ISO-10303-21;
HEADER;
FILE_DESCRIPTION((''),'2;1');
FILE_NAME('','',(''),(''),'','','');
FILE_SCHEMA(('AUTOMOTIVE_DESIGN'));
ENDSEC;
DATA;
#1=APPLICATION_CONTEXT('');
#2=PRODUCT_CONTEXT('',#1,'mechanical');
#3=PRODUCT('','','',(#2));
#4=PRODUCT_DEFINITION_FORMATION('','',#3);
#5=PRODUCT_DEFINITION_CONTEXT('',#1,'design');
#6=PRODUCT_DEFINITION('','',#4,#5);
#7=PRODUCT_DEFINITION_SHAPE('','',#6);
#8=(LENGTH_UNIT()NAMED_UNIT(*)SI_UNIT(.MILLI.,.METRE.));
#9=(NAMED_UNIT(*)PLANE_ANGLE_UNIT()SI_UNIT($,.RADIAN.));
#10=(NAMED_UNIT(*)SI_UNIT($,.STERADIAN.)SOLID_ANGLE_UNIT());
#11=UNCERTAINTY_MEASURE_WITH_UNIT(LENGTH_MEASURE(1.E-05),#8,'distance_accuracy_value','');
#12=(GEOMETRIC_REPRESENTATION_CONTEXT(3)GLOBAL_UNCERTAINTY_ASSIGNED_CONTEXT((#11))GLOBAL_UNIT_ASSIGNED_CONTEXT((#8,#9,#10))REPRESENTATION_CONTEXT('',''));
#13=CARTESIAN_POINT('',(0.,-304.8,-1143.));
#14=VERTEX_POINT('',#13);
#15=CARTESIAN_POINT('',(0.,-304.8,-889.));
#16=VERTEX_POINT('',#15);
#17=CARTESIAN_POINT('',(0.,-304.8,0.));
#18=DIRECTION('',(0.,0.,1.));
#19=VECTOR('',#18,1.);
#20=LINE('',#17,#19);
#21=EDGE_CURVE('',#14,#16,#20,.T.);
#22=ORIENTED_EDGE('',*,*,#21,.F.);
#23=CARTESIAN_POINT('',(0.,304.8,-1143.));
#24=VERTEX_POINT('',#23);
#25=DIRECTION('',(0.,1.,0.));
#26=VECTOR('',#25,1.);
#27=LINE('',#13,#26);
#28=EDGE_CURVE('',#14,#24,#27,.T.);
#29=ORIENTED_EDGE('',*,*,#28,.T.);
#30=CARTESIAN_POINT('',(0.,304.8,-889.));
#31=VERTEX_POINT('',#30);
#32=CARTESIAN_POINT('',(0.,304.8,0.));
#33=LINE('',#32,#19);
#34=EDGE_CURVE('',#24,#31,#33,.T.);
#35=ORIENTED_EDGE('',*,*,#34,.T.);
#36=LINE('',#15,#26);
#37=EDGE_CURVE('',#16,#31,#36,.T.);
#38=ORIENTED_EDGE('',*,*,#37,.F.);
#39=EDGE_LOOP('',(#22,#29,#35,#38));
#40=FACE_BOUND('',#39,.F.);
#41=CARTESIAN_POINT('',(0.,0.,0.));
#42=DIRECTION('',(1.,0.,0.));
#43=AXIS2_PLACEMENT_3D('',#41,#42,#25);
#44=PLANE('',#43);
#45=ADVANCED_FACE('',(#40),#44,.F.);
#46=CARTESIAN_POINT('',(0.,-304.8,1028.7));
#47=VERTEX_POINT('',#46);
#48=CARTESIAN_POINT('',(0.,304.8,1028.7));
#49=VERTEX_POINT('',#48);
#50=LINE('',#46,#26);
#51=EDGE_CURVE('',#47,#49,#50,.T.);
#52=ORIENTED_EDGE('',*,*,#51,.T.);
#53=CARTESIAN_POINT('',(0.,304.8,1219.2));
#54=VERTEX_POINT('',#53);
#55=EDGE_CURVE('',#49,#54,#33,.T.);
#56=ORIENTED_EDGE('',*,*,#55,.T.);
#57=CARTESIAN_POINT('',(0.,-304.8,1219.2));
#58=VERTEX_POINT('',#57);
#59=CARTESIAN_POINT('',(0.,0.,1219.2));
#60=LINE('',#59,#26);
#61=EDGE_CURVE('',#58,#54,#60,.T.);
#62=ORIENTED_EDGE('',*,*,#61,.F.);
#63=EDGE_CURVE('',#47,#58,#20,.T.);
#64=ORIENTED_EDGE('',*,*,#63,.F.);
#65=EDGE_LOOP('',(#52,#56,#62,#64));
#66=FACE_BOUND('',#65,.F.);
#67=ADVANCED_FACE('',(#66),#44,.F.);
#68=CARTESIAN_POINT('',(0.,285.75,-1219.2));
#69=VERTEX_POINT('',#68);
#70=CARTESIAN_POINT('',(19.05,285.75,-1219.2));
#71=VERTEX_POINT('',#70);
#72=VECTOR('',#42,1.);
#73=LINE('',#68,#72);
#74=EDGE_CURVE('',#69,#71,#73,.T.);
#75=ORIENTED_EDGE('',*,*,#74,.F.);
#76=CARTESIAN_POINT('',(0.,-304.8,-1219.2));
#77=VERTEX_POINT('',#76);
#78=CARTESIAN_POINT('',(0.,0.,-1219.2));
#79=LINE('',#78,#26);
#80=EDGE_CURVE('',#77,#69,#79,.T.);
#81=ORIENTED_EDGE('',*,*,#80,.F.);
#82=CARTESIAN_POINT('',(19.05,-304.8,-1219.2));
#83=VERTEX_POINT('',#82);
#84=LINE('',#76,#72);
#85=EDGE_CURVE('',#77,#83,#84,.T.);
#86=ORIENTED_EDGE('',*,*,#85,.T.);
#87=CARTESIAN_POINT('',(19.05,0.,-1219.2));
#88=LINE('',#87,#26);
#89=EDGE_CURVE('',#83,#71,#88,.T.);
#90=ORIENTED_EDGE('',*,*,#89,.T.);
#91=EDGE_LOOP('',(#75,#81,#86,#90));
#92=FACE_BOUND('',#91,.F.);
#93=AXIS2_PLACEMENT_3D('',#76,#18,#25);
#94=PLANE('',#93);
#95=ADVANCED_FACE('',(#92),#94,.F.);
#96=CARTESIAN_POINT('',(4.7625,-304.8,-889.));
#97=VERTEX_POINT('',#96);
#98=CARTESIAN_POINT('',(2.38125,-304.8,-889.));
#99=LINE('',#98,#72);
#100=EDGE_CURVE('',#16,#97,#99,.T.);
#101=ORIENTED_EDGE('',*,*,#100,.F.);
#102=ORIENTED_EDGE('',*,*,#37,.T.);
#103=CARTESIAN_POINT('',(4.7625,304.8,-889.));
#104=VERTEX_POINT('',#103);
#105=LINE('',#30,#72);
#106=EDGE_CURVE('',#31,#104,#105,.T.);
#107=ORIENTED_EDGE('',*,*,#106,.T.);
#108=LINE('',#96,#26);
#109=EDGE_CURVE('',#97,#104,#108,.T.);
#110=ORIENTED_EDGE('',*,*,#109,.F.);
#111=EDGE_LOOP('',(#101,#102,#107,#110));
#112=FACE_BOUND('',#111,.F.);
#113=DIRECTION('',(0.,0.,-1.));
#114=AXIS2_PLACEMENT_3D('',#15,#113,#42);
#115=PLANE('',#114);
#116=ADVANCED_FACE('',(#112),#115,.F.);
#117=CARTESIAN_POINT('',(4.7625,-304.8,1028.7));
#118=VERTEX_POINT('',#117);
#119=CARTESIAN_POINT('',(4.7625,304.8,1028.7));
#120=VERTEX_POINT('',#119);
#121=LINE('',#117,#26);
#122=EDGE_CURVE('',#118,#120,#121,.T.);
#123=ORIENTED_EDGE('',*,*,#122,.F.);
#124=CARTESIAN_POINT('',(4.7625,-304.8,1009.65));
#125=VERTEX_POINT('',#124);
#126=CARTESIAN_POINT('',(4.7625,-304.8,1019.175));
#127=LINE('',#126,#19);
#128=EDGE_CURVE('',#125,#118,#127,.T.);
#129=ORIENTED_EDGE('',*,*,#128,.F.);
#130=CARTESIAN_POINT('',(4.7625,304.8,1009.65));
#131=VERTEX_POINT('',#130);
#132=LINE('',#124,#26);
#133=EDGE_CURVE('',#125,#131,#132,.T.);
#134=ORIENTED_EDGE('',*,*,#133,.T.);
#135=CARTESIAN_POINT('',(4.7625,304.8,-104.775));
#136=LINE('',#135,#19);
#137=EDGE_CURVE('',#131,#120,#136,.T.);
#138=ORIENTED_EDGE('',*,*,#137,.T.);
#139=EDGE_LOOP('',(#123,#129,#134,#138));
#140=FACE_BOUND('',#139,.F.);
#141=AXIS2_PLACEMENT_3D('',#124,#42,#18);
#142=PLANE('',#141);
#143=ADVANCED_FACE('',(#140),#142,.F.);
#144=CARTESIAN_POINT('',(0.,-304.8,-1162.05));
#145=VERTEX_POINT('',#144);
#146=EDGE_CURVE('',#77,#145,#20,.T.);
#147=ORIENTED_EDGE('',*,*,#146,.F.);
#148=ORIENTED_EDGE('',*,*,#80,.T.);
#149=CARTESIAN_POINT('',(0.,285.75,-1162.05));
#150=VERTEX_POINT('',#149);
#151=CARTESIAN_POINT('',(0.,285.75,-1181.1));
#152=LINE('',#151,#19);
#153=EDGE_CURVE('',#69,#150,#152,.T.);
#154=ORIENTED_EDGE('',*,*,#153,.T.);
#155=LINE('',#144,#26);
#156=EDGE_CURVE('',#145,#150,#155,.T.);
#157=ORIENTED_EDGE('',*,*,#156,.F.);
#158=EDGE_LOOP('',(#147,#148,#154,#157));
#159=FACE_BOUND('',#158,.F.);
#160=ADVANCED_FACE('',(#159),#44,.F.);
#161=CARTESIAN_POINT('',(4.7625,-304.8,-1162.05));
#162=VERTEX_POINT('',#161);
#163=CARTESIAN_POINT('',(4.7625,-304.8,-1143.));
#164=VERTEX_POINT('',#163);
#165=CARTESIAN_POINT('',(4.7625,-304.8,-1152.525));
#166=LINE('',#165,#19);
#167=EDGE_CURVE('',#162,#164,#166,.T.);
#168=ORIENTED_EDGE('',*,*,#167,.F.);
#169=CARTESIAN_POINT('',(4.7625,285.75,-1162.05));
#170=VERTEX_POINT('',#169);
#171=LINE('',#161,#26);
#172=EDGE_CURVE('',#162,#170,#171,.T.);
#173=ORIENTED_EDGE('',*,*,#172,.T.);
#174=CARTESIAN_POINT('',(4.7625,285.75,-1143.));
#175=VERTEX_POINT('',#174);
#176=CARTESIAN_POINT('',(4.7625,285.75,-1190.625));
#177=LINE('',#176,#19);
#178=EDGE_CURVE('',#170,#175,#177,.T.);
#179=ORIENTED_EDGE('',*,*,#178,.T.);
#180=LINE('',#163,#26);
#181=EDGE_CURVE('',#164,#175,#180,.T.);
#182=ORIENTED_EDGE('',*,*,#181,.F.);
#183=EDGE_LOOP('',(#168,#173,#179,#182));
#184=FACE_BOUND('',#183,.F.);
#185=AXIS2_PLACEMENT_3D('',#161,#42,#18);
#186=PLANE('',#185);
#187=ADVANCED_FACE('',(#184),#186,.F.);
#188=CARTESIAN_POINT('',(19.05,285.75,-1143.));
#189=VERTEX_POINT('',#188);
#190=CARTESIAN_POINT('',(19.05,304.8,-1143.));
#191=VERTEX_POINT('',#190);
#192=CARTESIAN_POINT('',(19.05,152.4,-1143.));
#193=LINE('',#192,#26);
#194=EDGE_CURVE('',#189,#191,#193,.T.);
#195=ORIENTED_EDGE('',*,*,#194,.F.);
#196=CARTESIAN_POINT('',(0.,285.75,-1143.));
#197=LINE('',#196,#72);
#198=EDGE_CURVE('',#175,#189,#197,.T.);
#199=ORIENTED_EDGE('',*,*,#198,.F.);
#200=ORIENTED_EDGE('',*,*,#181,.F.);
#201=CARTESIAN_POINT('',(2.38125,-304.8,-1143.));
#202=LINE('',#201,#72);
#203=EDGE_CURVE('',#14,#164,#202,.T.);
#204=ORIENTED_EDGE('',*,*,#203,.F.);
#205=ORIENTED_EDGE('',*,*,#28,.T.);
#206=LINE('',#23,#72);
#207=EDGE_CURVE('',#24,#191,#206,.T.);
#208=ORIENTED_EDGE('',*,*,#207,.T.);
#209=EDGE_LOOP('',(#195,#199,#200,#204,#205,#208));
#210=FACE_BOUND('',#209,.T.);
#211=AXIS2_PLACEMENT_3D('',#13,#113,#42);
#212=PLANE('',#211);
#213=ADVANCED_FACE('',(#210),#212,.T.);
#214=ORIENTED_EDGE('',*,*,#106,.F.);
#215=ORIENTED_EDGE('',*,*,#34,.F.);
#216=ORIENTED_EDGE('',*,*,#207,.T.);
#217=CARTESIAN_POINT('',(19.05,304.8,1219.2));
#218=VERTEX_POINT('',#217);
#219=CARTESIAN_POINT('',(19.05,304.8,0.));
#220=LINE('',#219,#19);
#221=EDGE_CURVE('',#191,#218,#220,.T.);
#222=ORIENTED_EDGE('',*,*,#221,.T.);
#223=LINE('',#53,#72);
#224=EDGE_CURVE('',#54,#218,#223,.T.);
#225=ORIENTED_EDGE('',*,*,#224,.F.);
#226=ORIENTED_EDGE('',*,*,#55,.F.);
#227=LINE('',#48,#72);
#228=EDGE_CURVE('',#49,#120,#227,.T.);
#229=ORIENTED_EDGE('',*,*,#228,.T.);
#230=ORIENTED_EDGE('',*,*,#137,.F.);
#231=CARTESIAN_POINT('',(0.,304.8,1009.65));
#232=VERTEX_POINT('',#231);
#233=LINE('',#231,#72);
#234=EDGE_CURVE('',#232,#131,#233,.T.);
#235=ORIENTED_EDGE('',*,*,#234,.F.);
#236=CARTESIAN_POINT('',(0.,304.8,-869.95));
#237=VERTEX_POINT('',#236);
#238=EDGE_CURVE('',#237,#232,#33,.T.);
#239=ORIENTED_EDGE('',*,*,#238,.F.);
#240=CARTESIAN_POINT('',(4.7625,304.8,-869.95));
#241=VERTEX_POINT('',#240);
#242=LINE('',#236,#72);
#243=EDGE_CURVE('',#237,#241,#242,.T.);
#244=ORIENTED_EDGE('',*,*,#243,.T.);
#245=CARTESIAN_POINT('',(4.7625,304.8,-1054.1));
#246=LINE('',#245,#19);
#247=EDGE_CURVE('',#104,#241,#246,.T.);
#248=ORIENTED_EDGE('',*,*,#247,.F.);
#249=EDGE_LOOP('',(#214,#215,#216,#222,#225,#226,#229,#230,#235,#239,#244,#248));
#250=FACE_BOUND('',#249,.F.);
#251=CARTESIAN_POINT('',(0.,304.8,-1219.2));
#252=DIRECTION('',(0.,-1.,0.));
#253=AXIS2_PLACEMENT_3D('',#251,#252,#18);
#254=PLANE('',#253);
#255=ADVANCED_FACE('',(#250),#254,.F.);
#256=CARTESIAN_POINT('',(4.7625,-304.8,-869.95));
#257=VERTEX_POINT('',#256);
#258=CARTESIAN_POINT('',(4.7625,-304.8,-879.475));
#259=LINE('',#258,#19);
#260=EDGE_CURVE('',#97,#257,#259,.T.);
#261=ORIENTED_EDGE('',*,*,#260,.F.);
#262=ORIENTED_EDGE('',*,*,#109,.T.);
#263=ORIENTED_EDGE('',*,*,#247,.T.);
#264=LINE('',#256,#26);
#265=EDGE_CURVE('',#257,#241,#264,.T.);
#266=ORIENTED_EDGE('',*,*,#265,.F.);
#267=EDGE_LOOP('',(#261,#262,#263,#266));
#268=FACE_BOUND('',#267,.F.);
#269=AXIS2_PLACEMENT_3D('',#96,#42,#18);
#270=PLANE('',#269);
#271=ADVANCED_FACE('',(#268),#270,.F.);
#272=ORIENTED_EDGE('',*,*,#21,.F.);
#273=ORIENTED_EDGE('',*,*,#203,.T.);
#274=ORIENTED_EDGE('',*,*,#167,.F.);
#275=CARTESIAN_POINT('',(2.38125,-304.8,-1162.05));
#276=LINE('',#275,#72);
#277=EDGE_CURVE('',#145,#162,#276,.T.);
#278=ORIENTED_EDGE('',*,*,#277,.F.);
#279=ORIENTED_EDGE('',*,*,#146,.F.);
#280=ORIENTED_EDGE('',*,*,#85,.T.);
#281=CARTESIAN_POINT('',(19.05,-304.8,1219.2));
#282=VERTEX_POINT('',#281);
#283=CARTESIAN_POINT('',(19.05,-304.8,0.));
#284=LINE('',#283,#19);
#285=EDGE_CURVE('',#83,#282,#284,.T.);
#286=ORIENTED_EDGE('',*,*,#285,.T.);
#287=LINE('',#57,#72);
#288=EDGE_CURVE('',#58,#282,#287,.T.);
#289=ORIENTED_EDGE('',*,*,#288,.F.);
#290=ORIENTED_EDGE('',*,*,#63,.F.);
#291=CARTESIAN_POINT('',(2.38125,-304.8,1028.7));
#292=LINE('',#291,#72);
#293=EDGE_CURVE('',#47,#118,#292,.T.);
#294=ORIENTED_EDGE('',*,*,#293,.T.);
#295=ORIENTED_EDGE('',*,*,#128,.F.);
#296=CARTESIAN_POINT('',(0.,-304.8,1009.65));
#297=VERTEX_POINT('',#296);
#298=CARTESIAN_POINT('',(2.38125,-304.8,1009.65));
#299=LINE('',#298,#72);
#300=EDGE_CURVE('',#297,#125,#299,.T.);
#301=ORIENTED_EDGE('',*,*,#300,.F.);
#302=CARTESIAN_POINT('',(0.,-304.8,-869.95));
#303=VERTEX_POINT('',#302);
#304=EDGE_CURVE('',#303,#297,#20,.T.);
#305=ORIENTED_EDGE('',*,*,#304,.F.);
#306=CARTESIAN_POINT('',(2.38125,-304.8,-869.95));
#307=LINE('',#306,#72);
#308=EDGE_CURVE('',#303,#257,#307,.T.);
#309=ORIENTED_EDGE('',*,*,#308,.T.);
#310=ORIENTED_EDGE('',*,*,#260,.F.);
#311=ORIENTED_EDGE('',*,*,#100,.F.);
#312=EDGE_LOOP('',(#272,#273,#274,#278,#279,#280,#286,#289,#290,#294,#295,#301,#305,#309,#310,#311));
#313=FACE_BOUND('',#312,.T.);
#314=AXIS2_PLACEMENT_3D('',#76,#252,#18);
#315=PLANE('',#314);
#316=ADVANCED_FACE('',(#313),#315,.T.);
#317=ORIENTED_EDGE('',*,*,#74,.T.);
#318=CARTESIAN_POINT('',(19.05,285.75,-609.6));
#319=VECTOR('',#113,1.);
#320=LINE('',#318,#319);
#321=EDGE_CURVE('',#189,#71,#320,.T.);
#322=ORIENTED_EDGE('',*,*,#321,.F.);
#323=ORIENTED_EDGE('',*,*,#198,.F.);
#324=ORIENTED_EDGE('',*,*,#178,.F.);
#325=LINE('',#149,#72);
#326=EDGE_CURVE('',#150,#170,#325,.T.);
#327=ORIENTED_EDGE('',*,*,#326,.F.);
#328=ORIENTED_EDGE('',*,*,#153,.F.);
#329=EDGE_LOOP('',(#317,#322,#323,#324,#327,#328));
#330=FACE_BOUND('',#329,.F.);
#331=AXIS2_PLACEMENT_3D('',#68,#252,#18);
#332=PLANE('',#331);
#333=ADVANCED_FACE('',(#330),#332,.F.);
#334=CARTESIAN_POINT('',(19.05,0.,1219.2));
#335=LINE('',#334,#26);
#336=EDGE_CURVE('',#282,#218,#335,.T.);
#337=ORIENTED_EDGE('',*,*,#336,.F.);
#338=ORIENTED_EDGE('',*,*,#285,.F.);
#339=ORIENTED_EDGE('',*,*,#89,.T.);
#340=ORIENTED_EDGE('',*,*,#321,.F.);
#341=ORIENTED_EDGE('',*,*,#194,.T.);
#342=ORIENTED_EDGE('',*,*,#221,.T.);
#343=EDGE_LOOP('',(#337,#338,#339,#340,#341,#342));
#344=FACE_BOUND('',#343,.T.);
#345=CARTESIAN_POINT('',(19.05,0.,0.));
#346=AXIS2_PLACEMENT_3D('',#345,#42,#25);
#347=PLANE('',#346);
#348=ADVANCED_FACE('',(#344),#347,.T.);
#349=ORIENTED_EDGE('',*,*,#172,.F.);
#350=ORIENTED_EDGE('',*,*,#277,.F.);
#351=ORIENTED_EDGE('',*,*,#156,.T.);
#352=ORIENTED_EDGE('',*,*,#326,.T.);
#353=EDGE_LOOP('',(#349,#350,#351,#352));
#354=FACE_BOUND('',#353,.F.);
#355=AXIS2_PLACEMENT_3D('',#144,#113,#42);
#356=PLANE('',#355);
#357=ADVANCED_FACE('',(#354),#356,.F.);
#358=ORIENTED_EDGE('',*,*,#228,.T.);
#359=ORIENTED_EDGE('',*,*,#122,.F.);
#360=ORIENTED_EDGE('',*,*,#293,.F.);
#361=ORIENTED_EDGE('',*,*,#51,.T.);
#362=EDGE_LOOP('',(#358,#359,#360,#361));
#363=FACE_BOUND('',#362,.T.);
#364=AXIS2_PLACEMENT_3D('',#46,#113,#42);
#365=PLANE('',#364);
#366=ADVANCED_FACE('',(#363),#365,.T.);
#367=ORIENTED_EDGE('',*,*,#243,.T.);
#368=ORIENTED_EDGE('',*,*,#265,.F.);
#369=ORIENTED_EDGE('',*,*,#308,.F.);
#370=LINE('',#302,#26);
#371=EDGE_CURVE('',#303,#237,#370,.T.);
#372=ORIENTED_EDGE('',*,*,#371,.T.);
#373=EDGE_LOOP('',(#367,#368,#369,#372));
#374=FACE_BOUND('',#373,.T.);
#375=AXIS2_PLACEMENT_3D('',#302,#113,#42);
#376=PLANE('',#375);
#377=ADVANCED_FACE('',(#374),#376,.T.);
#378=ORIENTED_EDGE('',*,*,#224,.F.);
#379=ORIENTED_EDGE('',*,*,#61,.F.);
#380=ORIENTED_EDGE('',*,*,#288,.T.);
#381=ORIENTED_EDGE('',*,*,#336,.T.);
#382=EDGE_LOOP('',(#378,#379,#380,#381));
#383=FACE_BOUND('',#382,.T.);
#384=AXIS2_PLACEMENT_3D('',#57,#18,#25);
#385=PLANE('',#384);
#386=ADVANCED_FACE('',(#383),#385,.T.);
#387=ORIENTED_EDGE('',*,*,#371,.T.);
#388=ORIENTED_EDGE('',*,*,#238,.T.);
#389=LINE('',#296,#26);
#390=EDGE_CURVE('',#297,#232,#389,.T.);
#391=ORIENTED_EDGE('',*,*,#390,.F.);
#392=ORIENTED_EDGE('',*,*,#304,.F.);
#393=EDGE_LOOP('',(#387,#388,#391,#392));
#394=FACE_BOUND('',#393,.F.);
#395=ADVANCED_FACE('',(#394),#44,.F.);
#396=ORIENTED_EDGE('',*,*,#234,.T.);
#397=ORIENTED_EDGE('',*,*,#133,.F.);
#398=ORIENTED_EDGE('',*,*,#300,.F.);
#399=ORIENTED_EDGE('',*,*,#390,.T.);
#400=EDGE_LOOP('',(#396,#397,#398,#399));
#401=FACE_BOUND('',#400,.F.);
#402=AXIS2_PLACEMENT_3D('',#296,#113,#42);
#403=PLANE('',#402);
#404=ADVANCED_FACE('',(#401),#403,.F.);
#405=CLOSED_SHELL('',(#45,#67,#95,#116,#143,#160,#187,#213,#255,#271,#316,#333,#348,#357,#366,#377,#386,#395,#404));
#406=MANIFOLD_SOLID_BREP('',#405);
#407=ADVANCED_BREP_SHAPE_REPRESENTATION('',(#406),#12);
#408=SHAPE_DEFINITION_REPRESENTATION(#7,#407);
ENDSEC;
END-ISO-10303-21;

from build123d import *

# Parameters (mm, degrees)
F0_W     = 609.6
F0_H     = 2438.4
F1_DEPTH = 19.05
F2_W     = 19.05
F2_H     = 76.2
F3_DEPTH = 25.4
F4_W     = 4.7625
F4_H     = 19.05
F5_DEPTH = 609.601


with BuildPart() as f1:
    # F0 (on Right) → F1 (new body)
    with BuildSketch(Plane.YZ):
        Rectangle(F0_W, F0_H)
    extrude(amount=F1_DEPTH)

    # F2 (on face) → F3 (cut)
    with BuildSketch(Plane(origin=(0, 0, 0), x_dir=(0, -1, 0), z_dir=(-1, 0, 0))):
        with Locations((-295.275, -1181.1)):
            Rectangle(F2_W, F2_H)
    extrude(amount=-F3_DEPTH, mode=Mode.SUBTRACT)

    # F4 (on face) → F5 (cut, through all)
    with BuildSketch(Plane.XZ.offset(304.8)):
        with Locations((2.38125, -1152.525)):
            Rectangle(F4_W, F4_H)
        with Locations((2.38125, -879.475)):
            Rectangle(F4_W, F4_H)
        with Locations((2.38125, 1019.175)):
            Rectangle(F4_W, F4_H)
    extrude(amount=-F5_DEPTH, mode=Mode.SUBTRACT)


solid = f1.part
